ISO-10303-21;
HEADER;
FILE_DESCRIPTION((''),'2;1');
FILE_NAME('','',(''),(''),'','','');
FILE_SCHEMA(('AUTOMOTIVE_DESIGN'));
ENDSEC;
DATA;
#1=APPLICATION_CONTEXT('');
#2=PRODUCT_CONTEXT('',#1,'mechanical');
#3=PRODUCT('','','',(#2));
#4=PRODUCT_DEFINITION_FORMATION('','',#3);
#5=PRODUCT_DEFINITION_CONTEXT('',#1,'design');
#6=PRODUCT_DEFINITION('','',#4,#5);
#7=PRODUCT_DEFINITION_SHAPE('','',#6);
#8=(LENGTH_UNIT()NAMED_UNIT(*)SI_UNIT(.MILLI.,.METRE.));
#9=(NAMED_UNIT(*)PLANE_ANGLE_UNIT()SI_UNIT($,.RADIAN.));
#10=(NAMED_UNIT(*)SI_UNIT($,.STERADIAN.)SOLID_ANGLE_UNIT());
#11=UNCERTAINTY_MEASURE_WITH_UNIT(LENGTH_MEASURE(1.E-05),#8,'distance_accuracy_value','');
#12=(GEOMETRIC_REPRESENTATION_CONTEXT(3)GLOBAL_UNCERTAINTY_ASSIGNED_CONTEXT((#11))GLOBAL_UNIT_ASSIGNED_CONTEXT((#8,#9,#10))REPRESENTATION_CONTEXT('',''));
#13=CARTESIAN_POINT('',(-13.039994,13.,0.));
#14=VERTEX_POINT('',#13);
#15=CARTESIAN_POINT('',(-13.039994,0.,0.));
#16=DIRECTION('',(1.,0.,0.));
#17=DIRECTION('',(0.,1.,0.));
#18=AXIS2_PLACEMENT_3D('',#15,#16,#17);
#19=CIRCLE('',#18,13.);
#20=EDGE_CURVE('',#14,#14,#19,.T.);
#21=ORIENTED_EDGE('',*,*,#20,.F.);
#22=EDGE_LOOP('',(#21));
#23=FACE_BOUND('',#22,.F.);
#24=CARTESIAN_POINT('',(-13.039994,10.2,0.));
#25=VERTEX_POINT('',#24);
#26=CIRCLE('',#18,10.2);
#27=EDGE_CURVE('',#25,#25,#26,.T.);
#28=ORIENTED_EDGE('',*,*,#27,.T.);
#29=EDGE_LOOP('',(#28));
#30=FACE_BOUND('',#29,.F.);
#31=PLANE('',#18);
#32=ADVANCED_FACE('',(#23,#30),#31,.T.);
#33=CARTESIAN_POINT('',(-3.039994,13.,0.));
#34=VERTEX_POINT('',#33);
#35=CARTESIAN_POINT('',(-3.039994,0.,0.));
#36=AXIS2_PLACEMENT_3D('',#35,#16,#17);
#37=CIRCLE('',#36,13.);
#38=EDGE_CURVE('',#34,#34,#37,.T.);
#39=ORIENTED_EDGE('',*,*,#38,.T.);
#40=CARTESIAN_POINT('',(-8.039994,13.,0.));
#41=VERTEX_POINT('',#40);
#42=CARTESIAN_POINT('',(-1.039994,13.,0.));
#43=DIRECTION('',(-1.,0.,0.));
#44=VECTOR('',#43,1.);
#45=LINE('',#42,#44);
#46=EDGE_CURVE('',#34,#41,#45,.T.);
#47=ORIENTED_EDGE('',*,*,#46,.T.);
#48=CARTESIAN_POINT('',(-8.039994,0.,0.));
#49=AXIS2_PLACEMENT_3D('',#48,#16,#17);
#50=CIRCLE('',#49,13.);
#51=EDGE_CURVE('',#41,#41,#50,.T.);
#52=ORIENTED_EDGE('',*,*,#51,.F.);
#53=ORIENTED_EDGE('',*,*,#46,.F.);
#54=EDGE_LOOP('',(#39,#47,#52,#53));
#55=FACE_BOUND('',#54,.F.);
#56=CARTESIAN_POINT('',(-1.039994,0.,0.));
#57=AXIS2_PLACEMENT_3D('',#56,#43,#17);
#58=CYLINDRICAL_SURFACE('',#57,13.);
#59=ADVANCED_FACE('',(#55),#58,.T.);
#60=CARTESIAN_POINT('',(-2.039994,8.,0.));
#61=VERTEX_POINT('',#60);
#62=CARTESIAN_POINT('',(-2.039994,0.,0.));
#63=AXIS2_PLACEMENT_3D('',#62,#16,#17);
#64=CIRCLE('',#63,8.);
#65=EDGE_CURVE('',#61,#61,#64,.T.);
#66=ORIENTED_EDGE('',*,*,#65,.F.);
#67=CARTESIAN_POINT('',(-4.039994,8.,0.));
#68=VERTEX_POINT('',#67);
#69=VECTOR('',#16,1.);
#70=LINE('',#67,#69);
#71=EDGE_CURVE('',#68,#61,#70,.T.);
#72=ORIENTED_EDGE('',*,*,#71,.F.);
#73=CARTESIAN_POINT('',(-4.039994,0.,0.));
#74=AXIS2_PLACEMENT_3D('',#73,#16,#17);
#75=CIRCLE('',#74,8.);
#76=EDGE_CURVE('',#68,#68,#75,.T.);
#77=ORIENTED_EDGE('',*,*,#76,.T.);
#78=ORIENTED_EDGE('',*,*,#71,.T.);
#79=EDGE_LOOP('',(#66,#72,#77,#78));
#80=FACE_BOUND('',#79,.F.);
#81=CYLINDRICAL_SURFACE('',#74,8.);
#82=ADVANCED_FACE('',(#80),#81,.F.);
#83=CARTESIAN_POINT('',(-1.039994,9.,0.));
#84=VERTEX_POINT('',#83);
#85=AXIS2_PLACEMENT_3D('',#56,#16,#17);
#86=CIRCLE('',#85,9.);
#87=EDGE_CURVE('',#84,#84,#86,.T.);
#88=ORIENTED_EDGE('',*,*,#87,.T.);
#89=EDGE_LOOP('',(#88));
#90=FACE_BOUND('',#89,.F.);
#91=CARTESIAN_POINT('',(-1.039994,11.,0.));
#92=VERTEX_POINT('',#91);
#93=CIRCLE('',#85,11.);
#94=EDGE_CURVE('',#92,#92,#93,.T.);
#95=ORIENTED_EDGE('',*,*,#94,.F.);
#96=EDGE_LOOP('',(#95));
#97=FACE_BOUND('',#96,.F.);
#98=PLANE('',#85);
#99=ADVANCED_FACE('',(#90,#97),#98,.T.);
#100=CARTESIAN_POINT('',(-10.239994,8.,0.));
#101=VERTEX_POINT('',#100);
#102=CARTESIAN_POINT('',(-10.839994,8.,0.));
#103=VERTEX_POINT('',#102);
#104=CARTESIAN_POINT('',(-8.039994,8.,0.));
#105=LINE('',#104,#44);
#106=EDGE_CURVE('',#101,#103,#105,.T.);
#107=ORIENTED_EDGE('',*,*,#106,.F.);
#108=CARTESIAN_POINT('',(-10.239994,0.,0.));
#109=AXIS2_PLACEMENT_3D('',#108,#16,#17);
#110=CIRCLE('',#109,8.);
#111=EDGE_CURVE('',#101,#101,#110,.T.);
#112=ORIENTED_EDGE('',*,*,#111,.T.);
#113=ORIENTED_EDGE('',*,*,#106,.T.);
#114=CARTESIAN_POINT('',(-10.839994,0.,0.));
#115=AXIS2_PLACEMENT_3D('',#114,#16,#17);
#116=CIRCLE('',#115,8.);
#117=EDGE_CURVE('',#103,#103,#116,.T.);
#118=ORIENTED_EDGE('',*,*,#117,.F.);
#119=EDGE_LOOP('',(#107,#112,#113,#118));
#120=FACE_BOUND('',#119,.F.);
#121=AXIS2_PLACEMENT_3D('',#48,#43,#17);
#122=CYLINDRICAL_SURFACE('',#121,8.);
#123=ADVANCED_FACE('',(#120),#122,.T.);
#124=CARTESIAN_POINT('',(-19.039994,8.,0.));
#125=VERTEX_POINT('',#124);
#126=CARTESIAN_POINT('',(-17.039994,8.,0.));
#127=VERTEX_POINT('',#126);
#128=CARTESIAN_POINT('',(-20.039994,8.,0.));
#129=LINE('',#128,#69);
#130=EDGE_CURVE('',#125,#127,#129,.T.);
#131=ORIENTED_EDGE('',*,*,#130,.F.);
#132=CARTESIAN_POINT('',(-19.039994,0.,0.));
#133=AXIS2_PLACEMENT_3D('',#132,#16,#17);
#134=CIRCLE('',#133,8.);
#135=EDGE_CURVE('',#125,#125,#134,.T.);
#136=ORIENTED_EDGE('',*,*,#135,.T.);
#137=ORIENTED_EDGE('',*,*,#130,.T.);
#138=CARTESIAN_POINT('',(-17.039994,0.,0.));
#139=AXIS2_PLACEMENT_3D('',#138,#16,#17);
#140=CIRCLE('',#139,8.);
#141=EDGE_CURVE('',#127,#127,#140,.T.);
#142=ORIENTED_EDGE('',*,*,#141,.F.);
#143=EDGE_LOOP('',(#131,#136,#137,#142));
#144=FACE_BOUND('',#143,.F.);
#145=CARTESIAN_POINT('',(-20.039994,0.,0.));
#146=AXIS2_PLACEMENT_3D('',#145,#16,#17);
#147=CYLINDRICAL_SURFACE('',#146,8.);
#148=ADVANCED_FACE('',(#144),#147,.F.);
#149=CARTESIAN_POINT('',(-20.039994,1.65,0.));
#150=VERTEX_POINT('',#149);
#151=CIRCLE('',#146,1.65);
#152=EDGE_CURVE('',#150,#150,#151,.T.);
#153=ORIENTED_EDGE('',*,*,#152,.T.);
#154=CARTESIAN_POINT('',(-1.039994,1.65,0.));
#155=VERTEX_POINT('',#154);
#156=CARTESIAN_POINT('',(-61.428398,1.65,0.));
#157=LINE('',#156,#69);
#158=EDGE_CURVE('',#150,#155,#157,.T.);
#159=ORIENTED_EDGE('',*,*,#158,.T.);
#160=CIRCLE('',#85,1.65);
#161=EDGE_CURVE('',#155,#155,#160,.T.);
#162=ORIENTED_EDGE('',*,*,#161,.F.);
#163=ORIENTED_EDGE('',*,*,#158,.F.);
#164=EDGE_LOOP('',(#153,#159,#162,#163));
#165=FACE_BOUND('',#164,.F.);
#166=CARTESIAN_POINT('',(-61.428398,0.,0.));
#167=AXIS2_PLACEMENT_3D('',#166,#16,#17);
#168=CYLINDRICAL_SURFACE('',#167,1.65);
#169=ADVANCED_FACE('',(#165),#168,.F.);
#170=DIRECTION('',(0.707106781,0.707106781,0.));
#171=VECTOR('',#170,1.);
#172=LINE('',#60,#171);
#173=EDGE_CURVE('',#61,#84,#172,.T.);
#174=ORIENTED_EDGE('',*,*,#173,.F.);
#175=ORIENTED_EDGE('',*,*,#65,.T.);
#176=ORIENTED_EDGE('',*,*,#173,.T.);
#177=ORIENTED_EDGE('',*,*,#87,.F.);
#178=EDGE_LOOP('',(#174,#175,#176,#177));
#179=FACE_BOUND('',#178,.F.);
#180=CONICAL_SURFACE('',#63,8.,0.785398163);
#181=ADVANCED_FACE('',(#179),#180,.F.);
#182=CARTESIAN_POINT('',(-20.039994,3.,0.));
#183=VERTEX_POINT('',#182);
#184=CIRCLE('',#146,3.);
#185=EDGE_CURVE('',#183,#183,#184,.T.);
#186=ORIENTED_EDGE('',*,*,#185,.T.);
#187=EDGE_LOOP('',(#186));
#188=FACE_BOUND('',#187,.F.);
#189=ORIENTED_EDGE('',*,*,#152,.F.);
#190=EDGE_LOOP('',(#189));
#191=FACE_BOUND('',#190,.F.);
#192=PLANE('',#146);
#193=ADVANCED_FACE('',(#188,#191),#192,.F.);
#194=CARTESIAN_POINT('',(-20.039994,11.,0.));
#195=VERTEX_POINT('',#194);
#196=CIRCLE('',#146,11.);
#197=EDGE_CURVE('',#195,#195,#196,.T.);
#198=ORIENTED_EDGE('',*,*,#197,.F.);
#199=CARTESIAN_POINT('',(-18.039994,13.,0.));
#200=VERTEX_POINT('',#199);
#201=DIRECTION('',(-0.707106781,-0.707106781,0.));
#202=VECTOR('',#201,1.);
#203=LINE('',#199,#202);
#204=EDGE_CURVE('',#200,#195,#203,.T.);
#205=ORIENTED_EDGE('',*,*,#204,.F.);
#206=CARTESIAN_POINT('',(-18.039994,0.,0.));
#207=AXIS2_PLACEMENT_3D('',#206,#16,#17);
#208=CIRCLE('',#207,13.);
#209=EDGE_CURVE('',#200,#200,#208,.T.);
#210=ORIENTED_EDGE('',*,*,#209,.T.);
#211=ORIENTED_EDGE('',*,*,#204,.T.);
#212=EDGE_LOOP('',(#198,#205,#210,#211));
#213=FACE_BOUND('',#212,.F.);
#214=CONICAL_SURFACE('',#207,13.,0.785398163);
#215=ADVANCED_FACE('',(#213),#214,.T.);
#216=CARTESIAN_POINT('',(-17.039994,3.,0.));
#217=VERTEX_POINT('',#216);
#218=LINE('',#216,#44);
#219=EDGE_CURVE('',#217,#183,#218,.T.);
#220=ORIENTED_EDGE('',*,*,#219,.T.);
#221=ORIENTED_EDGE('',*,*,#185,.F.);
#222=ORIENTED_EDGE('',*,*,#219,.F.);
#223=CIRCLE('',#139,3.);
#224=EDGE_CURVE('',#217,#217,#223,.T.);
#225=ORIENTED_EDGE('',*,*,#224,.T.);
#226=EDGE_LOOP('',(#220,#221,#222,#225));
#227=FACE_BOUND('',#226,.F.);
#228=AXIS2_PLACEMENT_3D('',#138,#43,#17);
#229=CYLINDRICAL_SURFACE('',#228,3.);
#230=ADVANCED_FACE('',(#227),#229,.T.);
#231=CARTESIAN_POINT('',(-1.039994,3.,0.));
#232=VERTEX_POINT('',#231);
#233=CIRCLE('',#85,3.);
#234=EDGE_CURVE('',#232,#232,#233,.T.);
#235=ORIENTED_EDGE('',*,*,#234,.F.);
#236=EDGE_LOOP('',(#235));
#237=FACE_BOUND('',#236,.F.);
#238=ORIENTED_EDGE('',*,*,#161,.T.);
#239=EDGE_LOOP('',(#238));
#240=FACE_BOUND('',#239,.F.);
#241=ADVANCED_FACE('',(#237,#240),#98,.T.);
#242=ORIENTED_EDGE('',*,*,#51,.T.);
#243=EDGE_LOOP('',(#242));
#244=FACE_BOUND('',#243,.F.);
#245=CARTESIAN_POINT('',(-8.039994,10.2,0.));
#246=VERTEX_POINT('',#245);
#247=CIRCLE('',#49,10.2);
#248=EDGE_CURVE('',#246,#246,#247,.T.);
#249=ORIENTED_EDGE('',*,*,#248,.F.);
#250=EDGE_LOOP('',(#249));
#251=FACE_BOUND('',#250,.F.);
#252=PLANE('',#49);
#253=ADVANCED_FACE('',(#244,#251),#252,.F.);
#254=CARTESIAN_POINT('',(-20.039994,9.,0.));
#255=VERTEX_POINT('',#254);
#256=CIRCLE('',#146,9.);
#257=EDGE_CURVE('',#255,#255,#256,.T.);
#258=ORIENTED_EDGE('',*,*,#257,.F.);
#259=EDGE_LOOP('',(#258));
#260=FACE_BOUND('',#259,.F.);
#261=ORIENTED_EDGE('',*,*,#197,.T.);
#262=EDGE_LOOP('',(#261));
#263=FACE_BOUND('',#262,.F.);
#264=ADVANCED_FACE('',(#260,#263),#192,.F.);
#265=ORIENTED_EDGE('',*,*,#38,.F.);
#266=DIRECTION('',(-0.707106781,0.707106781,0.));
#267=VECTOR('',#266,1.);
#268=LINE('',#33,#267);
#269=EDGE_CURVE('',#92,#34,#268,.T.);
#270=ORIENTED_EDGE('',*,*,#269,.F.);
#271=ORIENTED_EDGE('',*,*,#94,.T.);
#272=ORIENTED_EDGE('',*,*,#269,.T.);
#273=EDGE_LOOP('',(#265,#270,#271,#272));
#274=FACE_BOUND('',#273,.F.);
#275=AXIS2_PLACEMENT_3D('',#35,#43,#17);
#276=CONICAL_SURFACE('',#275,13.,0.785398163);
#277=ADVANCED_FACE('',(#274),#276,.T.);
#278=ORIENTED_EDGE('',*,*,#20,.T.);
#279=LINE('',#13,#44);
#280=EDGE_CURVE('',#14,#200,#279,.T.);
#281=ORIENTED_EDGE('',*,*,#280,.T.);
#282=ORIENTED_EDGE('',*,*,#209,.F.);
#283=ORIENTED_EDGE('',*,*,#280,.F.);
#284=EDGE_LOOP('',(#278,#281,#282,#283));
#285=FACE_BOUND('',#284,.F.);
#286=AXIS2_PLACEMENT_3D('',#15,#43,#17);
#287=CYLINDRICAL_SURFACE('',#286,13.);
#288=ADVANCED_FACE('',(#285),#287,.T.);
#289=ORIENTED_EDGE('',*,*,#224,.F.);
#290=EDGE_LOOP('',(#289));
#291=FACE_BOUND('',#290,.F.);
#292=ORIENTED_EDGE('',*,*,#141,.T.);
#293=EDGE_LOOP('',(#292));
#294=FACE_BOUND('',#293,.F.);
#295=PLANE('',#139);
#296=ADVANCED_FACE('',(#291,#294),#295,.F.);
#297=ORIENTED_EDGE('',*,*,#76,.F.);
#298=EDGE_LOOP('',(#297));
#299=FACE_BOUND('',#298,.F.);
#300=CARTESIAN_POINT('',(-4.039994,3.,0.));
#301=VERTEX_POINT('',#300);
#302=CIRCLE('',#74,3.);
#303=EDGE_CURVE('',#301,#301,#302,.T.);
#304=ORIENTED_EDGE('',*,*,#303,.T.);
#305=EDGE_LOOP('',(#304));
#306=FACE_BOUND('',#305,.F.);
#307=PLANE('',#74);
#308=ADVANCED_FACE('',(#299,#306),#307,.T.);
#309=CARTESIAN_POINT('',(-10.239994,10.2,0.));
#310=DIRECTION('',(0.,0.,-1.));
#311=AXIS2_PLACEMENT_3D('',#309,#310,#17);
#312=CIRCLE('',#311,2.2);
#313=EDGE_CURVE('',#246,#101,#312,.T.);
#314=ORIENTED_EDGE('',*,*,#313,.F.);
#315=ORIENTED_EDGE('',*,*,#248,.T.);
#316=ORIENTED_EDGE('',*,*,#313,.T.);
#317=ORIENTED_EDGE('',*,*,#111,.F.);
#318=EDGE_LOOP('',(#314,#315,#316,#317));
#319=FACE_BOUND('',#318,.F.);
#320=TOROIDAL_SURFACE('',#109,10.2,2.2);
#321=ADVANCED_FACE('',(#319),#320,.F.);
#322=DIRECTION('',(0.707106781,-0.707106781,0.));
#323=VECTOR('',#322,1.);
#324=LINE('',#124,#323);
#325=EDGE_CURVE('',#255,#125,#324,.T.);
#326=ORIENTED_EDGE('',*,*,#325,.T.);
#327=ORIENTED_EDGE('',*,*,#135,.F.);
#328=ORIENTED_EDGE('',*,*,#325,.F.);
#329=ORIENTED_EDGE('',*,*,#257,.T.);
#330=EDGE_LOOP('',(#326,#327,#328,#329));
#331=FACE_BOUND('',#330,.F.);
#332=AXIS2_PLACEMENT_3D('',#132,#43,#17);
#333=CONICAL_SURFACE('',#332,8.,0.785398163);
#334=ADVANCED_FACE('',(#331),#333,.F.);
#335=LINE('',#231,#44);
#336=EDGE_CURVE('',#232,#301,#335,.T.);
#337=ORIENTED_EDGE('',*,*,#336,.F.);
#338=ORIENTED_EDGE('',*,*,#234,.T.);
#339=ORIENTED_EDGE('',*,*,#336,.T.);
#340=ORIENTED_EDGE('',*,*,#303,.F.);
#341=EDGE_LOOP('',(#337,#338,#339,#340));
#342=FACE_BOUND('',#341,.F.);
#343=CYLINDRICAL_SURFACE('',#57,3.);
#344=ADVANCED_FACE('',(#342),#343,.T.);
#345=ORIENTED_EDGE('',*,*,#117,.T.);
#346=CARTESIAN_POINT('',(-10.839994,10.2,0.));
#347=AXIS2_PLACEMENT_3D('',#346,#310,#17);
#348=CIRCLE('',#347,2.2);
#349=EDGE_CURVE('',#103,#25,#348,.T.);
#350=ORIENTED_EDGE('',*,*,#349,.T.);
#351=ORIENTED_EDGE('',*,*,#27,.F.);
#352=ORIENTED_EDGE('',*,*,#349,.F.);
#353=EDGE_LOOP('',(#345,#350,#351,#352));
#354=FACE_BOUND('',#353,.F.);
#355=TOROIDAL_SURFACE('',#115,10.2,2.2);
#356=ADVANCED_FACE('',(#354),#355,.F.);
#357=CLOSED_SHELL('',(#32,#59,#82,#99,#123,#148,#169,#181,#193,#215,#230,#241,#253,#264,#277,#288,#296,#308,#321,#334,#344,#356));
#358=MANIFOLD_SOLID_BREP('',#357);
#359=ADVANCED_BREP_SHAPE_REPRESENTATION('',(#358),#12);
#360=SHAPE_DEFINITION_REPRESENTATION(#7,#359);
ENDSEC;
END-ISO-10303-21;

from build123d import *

# Parameters (mm, degrees)
F2_SIZE = 1
F3_SIZE = 2
F4_R    = 2.2
F6_D    = 3.3


with BuildPart() as f1:
    # F0 (on Top) → F1 (revolve)
    with BuildSketch(Plane.XY):
        Polygon((-20.039994, 3), (-20.039994, 0), (-1.039994, 0), (-1.039994, 3), (-4.039994, 3), (-4.039994, 8), (-1.039994, 8), (-1.039994, 13), (-8.039994, 13), (-8.039994, 8), (-13.039994, 8), (-13.039994, 13), (-20.039994, 13), (-20.039994, 8), (-17.039994, 8), (-17.039994, 3), align=None)
    revolve(axis=Axis((-10.68385, 0, 0), (1, 0, 0)))

    # F2
    f2_edges = [f1.edges().sort_by_distance(p)[0] for p in [
        (-1.039994, -8, 0),
        (-20.039994, -8, 0),
    ]]
    chamfer(f2_edges, length=F2_SIZE)

    # F3
    f3_edges = [f1.edges().sort_by_distance(p)[0] for p in [
        (-20.039994, -13, 0),
        (-1.039994, -13, 0),
    ]]
    chamfer(f3_edges, length=F3_SIZE)

    # F4
    f4_edges = [f1.edges().sort_by_distance(p)[0] for p in [
        (-13.039994, -8, 0),
        (-8.039994, -8, 0),
    ]]
    fillet(f4_edges, radius=F4_R)

    # F6 (through all)
    with Locations(Plane(origin=(-20.039994, 0, 0), x_dir=(0, -1, 0), z_dir=(-1, 0, 0))):
        with Locations((0, 0)):
            Hole(F6_D / 2)


solid = f1.part
